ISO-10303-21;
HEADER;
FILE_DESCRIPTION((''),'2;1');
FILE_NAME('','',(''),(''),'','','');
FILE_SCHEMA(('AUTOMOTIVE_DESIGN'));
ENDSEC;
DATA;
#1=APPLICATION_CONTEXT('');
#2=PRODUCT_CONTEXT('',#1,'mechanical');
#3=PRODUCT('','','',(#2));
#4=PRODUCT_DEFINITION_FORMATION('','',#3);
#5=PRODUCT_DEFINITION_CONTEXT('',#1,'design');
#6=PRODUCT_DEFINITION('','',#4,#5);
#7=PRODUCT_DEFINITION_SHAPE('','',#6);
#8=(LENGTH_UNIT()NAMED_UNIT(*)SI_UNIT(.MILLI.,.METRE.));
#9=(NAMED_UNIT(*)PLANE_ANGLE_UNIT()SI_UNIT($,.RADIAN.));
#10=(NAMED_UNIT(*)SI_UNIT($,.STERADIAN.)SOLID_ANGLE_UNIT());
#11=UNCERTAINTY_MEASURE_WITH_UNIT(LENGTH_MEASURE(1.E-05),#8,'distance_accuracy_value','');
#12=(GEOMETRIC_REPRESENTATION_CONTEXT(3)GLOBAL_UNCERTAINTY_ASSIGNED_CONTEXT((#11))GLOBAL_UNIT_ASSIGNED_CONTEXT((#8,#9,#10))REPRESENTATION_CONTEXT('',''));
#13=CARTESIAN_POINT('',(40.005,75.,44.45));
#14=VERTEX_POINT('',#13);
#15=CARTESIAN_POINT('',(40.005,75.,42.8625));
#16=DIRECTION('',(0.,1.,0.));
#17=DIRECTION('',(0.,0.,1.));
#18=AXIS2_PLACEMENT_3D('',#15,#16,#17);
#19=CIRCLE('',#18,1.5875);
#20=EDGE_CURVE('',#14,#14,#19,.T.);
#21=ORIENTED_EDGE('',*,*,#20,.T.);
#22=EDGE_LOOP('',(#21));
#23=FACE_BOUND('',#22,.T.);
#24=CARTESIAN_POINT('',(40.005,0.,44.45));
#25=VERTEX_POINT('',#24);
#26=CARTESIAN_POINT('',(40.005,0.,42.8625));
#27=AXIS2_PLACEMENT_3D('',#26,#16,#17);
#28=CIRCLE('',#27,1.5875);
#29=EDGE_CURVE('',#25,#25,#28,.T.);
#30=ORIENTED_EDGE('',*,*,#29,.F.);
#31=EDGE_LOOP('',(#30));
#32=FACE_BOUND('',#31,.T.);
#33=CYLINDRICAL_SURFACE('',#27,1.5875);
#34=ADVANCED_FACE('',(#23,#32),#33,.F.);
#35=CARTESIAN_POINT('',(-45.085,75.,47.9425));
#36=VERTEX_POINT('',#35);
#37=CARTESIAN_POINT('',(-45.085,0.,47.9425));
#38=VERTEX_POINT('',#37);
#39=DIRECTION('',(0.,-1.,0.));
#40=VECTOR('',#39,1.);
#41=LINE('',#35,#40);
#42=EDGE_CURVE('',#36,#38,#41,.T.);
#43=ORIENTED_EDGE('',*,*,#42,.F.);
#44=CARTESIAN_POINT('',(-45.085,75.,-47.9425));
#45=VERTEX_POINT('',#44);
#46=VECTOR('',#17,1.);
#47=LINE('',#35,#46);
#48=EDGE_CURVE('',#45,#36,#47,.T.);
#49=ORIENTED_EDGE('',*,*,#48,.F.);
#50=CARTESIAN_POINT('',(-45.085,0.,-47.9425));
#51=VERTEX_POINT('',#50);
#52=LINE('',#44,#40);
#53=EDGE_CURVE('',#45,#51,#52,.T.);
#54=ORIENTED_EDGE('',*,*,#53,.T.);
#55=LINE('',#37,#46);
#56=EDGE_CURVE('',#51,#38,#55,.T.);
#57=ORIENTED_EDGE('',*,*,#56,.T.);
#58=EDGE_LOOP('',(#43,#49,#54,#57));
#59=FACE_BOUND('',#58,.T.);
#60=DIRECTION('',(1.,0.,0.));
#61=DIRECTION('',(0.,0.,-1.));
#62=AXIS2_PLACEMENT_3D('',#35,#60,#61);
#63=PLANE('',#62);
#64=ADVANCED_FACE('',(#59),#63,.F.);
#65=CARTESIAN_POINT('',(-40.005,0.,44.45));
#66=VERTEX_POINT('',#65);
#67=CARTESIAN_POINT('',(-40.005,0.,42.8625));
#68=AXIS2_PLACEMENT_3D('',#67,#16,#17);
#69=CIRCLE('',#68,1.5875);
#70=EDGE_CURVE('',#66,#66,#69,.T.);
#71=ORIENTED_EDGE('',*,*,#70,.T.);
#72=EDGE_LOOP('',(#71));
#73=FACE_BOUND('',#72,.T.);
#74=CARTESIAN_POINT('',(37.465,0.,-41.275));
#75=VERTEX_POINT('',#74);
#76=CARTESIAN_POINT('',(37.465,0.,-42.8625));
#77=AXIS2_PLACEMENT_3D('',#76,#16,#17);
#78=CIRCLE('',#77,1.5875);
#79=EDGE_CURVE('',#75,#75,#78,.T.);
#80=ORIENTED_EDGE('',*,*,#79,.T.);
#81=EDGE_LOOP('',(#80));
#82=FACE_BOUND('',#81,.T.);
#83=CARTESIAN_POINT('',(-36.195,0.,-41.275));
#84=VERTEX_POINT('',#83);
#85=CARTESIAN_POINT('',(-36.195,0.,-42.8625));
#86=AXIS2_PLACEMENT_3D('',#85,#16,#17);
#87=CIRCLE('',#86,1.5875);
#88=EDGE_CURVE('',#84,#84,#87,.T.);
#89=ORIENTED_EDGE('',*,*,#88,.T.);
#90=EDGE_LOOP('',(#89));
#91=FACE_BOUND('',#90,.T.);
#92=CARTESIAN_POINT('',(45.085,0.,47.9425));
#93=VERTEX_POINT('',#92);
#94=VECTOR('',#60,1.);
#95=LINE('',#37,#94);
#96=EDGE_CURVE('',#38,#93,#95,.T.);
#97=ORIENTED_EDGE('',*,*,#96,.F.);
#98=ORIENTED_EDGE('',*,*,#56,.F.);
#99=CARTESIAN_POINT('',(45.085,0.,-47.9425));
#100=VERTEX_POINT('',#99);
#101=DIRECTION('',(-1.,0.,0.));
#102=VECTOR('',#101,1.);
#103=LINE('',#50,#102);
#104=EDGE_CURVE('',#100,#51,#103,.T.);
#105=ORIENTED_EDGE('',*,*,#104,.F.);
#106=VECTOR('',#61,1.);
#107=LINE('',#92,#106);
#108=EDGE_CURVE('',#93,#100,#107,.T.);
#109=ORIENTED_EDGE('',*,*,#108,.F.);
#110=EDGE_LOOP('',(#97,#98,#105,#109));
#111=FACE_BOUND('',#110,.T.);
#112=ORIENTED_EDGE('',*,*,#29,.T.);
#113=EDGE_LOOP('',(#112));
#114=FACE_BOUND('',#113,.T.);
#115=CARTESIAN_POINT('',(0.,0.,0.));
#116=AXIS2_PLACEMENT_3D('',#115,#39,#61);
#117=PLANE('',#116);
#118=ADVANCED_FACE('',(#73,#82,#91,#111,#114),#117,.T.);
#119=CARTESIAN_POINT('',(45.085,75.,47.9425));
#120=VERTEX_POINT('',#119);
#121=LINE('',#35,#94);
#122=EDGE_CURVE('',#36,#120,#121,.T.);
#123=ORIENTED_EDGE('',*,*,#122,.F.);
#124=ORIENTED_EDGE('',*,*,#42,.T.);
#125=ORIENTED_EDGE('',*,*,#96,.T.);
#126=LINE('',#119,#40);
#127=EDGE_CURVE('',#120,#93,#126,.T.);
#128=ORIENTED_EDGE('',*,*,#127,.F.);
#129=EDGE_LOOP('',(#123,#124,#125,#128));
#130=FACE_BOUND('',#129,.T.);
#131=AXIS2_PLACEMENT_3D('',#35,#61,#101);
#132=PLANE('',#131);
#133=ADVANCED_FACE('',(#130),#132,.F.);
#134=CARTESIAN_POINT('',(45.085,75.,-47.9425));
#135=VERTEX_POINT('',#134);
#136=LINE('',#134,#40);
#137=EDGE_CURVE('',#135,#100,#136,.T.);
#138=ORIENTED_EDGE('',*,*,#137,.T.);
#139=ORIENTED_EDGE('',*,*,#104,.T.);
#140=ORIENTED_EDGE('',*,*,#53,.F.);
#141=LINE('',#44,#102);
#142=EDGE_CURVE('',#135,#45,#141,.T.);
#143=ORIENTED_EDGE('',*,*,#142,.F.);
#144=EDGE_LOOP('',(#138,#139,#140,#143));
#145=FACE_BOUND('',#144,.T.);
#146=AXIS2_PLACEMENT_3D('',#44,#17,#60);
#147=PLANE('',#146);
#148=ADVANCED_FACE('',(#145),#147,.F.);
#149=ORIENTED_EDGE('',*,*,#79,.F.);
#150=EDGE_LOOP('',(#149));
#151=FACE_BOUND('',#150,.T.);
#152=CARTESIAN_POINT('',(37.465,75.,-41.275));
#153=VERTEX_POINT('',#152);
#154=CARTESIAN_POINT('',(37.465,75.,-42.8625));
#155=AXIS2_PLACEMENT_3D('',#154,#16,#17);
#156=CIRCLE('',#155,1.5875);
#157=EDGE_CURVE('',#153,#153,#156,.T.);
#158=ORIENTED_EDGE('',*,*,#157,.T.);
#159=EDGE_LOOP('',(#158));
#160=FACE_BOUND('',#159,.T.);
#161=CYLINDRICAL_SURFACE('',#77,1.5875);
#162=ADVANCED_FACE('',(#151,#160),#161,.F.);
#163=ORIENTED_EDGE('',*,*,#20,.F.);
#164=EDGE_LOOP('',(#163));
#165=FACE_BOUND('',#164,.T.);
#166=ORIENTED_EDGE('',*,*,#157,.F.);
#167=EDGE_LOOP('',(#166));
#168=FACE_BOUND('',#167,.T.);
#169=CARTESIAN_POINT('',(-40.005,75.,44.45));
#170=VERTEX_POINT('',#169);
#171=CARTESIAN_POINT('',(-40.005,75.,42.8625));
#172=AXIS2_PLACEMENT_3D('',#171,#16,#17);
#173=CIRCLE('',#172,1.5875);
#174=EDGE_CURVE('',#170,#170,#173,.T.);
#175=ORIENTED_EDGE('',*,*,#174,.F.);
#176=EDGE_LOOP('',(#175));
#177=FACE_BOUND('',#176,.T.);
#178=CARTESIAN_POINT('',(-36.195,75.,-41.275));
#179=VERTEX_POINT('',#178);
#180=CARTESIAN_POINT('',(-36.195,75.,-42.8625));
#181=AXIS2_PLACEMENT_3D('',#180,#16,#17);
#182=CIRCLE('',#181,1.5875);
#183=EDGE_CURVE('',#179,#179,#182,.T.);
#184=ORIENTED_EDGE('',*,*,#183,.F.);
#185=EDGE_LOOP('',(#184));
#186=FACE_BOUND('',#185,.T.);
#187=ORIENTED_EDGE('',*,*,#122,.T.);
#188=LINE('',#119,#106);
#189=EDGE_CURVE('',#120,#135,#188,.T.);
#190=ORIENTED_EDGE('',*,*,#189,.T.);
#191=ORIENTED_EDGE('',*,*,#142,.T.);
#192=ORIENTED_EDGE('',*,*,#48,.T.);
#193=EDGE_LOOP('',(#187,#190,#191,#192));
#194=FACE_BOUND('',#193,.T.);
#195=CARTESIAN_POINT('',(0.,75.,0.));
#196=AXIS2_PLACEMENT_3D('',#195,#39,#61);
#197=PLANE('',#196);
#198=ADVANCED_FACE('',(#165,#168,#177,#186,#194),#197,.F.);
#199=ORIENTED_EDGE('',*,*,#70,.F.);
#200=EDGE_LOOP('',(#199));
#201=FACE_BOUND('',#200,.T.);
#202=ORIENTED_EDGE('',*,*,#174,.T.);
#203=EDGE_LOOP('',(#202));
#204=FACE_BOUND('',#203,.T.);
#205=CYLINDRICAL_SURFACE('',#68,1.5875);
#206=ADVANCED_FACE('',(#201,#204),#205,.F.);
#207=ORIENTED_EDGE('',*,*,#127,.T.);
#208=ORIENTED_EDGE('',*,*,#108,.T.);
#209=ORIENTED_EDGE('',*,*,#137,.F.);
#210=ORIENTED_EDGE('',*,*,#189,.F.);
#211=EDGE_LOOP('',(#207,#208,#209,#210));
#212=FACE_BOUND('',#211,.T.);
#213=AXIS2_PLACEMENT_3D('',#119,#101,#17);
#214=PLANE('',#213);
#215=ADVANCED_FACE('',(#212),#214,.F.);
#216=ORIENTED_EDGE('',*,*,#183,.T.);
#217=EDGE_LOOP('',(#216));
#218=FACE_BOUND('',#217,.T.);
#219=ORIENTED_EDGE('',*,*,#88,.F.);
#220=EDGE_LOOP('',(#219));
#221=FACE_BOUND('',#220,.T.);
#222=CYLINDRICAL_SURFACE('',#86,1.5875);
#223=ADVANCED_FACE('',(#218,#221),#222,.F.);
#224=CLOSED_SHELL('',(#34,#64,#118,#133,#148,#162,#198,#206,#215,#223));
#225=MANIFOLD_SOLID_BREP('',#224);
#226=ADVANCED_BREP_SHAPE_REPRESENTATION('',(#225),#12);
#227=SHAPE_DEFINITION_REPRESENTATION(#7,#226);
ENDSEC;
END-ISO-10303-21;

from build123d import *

# Parameters (mm, degrees)
SKETCH1_W           = 90.17
SKETCH1_H           = 95.885
BOSS_EXTRUDE1_DEPTH = 75
SKETCH2_R           = 1.5875
CUT_EXTRUDE1_DEPTH  = 100.780461671


with BuildPart() as part:
    # Sketch1 → Boss-Extrude1 (new body)
    with BuildSketch(Plane(origin=(0, 0, 0), x_dir=(1, 0, 0), z_dir=(0, 1, 0))):
        Rectangle(SKETCH1_W, SKETCH1_H)
    extrude(amount=BOSS_EXTRUDE1_DEPTH)

    # Sketch2 → Cut-Extrude1 (cut, through all)
    with BuildSketch(Plane(origin=(0, 75, 0), x_dir=(1, 0, 0), z_dir=(0, 1, 0))):
        with Locations(Location((-40.005, -42.8625, 0), (0, 0, 270))):
            Circle(SKETCH2_R)
        with Locations(Location((40.005, -42.8625, 0), (0, 0, 270))):
            Circle(SKETCH2_R)
        with Locations(Location((-36.195, 42.8625, 0), (0, 0, 270))):
            Circle(SKETCH2_R)
        with Locations(Location((37.465, 42.8625, 0), (0, 0, 270))):
            Circle(SKETCH2_R)
    extrude(amount=-CUT_EXTRUDE1_DEPTH, mode=Mode.SUBTRACT)


solid = part.part
